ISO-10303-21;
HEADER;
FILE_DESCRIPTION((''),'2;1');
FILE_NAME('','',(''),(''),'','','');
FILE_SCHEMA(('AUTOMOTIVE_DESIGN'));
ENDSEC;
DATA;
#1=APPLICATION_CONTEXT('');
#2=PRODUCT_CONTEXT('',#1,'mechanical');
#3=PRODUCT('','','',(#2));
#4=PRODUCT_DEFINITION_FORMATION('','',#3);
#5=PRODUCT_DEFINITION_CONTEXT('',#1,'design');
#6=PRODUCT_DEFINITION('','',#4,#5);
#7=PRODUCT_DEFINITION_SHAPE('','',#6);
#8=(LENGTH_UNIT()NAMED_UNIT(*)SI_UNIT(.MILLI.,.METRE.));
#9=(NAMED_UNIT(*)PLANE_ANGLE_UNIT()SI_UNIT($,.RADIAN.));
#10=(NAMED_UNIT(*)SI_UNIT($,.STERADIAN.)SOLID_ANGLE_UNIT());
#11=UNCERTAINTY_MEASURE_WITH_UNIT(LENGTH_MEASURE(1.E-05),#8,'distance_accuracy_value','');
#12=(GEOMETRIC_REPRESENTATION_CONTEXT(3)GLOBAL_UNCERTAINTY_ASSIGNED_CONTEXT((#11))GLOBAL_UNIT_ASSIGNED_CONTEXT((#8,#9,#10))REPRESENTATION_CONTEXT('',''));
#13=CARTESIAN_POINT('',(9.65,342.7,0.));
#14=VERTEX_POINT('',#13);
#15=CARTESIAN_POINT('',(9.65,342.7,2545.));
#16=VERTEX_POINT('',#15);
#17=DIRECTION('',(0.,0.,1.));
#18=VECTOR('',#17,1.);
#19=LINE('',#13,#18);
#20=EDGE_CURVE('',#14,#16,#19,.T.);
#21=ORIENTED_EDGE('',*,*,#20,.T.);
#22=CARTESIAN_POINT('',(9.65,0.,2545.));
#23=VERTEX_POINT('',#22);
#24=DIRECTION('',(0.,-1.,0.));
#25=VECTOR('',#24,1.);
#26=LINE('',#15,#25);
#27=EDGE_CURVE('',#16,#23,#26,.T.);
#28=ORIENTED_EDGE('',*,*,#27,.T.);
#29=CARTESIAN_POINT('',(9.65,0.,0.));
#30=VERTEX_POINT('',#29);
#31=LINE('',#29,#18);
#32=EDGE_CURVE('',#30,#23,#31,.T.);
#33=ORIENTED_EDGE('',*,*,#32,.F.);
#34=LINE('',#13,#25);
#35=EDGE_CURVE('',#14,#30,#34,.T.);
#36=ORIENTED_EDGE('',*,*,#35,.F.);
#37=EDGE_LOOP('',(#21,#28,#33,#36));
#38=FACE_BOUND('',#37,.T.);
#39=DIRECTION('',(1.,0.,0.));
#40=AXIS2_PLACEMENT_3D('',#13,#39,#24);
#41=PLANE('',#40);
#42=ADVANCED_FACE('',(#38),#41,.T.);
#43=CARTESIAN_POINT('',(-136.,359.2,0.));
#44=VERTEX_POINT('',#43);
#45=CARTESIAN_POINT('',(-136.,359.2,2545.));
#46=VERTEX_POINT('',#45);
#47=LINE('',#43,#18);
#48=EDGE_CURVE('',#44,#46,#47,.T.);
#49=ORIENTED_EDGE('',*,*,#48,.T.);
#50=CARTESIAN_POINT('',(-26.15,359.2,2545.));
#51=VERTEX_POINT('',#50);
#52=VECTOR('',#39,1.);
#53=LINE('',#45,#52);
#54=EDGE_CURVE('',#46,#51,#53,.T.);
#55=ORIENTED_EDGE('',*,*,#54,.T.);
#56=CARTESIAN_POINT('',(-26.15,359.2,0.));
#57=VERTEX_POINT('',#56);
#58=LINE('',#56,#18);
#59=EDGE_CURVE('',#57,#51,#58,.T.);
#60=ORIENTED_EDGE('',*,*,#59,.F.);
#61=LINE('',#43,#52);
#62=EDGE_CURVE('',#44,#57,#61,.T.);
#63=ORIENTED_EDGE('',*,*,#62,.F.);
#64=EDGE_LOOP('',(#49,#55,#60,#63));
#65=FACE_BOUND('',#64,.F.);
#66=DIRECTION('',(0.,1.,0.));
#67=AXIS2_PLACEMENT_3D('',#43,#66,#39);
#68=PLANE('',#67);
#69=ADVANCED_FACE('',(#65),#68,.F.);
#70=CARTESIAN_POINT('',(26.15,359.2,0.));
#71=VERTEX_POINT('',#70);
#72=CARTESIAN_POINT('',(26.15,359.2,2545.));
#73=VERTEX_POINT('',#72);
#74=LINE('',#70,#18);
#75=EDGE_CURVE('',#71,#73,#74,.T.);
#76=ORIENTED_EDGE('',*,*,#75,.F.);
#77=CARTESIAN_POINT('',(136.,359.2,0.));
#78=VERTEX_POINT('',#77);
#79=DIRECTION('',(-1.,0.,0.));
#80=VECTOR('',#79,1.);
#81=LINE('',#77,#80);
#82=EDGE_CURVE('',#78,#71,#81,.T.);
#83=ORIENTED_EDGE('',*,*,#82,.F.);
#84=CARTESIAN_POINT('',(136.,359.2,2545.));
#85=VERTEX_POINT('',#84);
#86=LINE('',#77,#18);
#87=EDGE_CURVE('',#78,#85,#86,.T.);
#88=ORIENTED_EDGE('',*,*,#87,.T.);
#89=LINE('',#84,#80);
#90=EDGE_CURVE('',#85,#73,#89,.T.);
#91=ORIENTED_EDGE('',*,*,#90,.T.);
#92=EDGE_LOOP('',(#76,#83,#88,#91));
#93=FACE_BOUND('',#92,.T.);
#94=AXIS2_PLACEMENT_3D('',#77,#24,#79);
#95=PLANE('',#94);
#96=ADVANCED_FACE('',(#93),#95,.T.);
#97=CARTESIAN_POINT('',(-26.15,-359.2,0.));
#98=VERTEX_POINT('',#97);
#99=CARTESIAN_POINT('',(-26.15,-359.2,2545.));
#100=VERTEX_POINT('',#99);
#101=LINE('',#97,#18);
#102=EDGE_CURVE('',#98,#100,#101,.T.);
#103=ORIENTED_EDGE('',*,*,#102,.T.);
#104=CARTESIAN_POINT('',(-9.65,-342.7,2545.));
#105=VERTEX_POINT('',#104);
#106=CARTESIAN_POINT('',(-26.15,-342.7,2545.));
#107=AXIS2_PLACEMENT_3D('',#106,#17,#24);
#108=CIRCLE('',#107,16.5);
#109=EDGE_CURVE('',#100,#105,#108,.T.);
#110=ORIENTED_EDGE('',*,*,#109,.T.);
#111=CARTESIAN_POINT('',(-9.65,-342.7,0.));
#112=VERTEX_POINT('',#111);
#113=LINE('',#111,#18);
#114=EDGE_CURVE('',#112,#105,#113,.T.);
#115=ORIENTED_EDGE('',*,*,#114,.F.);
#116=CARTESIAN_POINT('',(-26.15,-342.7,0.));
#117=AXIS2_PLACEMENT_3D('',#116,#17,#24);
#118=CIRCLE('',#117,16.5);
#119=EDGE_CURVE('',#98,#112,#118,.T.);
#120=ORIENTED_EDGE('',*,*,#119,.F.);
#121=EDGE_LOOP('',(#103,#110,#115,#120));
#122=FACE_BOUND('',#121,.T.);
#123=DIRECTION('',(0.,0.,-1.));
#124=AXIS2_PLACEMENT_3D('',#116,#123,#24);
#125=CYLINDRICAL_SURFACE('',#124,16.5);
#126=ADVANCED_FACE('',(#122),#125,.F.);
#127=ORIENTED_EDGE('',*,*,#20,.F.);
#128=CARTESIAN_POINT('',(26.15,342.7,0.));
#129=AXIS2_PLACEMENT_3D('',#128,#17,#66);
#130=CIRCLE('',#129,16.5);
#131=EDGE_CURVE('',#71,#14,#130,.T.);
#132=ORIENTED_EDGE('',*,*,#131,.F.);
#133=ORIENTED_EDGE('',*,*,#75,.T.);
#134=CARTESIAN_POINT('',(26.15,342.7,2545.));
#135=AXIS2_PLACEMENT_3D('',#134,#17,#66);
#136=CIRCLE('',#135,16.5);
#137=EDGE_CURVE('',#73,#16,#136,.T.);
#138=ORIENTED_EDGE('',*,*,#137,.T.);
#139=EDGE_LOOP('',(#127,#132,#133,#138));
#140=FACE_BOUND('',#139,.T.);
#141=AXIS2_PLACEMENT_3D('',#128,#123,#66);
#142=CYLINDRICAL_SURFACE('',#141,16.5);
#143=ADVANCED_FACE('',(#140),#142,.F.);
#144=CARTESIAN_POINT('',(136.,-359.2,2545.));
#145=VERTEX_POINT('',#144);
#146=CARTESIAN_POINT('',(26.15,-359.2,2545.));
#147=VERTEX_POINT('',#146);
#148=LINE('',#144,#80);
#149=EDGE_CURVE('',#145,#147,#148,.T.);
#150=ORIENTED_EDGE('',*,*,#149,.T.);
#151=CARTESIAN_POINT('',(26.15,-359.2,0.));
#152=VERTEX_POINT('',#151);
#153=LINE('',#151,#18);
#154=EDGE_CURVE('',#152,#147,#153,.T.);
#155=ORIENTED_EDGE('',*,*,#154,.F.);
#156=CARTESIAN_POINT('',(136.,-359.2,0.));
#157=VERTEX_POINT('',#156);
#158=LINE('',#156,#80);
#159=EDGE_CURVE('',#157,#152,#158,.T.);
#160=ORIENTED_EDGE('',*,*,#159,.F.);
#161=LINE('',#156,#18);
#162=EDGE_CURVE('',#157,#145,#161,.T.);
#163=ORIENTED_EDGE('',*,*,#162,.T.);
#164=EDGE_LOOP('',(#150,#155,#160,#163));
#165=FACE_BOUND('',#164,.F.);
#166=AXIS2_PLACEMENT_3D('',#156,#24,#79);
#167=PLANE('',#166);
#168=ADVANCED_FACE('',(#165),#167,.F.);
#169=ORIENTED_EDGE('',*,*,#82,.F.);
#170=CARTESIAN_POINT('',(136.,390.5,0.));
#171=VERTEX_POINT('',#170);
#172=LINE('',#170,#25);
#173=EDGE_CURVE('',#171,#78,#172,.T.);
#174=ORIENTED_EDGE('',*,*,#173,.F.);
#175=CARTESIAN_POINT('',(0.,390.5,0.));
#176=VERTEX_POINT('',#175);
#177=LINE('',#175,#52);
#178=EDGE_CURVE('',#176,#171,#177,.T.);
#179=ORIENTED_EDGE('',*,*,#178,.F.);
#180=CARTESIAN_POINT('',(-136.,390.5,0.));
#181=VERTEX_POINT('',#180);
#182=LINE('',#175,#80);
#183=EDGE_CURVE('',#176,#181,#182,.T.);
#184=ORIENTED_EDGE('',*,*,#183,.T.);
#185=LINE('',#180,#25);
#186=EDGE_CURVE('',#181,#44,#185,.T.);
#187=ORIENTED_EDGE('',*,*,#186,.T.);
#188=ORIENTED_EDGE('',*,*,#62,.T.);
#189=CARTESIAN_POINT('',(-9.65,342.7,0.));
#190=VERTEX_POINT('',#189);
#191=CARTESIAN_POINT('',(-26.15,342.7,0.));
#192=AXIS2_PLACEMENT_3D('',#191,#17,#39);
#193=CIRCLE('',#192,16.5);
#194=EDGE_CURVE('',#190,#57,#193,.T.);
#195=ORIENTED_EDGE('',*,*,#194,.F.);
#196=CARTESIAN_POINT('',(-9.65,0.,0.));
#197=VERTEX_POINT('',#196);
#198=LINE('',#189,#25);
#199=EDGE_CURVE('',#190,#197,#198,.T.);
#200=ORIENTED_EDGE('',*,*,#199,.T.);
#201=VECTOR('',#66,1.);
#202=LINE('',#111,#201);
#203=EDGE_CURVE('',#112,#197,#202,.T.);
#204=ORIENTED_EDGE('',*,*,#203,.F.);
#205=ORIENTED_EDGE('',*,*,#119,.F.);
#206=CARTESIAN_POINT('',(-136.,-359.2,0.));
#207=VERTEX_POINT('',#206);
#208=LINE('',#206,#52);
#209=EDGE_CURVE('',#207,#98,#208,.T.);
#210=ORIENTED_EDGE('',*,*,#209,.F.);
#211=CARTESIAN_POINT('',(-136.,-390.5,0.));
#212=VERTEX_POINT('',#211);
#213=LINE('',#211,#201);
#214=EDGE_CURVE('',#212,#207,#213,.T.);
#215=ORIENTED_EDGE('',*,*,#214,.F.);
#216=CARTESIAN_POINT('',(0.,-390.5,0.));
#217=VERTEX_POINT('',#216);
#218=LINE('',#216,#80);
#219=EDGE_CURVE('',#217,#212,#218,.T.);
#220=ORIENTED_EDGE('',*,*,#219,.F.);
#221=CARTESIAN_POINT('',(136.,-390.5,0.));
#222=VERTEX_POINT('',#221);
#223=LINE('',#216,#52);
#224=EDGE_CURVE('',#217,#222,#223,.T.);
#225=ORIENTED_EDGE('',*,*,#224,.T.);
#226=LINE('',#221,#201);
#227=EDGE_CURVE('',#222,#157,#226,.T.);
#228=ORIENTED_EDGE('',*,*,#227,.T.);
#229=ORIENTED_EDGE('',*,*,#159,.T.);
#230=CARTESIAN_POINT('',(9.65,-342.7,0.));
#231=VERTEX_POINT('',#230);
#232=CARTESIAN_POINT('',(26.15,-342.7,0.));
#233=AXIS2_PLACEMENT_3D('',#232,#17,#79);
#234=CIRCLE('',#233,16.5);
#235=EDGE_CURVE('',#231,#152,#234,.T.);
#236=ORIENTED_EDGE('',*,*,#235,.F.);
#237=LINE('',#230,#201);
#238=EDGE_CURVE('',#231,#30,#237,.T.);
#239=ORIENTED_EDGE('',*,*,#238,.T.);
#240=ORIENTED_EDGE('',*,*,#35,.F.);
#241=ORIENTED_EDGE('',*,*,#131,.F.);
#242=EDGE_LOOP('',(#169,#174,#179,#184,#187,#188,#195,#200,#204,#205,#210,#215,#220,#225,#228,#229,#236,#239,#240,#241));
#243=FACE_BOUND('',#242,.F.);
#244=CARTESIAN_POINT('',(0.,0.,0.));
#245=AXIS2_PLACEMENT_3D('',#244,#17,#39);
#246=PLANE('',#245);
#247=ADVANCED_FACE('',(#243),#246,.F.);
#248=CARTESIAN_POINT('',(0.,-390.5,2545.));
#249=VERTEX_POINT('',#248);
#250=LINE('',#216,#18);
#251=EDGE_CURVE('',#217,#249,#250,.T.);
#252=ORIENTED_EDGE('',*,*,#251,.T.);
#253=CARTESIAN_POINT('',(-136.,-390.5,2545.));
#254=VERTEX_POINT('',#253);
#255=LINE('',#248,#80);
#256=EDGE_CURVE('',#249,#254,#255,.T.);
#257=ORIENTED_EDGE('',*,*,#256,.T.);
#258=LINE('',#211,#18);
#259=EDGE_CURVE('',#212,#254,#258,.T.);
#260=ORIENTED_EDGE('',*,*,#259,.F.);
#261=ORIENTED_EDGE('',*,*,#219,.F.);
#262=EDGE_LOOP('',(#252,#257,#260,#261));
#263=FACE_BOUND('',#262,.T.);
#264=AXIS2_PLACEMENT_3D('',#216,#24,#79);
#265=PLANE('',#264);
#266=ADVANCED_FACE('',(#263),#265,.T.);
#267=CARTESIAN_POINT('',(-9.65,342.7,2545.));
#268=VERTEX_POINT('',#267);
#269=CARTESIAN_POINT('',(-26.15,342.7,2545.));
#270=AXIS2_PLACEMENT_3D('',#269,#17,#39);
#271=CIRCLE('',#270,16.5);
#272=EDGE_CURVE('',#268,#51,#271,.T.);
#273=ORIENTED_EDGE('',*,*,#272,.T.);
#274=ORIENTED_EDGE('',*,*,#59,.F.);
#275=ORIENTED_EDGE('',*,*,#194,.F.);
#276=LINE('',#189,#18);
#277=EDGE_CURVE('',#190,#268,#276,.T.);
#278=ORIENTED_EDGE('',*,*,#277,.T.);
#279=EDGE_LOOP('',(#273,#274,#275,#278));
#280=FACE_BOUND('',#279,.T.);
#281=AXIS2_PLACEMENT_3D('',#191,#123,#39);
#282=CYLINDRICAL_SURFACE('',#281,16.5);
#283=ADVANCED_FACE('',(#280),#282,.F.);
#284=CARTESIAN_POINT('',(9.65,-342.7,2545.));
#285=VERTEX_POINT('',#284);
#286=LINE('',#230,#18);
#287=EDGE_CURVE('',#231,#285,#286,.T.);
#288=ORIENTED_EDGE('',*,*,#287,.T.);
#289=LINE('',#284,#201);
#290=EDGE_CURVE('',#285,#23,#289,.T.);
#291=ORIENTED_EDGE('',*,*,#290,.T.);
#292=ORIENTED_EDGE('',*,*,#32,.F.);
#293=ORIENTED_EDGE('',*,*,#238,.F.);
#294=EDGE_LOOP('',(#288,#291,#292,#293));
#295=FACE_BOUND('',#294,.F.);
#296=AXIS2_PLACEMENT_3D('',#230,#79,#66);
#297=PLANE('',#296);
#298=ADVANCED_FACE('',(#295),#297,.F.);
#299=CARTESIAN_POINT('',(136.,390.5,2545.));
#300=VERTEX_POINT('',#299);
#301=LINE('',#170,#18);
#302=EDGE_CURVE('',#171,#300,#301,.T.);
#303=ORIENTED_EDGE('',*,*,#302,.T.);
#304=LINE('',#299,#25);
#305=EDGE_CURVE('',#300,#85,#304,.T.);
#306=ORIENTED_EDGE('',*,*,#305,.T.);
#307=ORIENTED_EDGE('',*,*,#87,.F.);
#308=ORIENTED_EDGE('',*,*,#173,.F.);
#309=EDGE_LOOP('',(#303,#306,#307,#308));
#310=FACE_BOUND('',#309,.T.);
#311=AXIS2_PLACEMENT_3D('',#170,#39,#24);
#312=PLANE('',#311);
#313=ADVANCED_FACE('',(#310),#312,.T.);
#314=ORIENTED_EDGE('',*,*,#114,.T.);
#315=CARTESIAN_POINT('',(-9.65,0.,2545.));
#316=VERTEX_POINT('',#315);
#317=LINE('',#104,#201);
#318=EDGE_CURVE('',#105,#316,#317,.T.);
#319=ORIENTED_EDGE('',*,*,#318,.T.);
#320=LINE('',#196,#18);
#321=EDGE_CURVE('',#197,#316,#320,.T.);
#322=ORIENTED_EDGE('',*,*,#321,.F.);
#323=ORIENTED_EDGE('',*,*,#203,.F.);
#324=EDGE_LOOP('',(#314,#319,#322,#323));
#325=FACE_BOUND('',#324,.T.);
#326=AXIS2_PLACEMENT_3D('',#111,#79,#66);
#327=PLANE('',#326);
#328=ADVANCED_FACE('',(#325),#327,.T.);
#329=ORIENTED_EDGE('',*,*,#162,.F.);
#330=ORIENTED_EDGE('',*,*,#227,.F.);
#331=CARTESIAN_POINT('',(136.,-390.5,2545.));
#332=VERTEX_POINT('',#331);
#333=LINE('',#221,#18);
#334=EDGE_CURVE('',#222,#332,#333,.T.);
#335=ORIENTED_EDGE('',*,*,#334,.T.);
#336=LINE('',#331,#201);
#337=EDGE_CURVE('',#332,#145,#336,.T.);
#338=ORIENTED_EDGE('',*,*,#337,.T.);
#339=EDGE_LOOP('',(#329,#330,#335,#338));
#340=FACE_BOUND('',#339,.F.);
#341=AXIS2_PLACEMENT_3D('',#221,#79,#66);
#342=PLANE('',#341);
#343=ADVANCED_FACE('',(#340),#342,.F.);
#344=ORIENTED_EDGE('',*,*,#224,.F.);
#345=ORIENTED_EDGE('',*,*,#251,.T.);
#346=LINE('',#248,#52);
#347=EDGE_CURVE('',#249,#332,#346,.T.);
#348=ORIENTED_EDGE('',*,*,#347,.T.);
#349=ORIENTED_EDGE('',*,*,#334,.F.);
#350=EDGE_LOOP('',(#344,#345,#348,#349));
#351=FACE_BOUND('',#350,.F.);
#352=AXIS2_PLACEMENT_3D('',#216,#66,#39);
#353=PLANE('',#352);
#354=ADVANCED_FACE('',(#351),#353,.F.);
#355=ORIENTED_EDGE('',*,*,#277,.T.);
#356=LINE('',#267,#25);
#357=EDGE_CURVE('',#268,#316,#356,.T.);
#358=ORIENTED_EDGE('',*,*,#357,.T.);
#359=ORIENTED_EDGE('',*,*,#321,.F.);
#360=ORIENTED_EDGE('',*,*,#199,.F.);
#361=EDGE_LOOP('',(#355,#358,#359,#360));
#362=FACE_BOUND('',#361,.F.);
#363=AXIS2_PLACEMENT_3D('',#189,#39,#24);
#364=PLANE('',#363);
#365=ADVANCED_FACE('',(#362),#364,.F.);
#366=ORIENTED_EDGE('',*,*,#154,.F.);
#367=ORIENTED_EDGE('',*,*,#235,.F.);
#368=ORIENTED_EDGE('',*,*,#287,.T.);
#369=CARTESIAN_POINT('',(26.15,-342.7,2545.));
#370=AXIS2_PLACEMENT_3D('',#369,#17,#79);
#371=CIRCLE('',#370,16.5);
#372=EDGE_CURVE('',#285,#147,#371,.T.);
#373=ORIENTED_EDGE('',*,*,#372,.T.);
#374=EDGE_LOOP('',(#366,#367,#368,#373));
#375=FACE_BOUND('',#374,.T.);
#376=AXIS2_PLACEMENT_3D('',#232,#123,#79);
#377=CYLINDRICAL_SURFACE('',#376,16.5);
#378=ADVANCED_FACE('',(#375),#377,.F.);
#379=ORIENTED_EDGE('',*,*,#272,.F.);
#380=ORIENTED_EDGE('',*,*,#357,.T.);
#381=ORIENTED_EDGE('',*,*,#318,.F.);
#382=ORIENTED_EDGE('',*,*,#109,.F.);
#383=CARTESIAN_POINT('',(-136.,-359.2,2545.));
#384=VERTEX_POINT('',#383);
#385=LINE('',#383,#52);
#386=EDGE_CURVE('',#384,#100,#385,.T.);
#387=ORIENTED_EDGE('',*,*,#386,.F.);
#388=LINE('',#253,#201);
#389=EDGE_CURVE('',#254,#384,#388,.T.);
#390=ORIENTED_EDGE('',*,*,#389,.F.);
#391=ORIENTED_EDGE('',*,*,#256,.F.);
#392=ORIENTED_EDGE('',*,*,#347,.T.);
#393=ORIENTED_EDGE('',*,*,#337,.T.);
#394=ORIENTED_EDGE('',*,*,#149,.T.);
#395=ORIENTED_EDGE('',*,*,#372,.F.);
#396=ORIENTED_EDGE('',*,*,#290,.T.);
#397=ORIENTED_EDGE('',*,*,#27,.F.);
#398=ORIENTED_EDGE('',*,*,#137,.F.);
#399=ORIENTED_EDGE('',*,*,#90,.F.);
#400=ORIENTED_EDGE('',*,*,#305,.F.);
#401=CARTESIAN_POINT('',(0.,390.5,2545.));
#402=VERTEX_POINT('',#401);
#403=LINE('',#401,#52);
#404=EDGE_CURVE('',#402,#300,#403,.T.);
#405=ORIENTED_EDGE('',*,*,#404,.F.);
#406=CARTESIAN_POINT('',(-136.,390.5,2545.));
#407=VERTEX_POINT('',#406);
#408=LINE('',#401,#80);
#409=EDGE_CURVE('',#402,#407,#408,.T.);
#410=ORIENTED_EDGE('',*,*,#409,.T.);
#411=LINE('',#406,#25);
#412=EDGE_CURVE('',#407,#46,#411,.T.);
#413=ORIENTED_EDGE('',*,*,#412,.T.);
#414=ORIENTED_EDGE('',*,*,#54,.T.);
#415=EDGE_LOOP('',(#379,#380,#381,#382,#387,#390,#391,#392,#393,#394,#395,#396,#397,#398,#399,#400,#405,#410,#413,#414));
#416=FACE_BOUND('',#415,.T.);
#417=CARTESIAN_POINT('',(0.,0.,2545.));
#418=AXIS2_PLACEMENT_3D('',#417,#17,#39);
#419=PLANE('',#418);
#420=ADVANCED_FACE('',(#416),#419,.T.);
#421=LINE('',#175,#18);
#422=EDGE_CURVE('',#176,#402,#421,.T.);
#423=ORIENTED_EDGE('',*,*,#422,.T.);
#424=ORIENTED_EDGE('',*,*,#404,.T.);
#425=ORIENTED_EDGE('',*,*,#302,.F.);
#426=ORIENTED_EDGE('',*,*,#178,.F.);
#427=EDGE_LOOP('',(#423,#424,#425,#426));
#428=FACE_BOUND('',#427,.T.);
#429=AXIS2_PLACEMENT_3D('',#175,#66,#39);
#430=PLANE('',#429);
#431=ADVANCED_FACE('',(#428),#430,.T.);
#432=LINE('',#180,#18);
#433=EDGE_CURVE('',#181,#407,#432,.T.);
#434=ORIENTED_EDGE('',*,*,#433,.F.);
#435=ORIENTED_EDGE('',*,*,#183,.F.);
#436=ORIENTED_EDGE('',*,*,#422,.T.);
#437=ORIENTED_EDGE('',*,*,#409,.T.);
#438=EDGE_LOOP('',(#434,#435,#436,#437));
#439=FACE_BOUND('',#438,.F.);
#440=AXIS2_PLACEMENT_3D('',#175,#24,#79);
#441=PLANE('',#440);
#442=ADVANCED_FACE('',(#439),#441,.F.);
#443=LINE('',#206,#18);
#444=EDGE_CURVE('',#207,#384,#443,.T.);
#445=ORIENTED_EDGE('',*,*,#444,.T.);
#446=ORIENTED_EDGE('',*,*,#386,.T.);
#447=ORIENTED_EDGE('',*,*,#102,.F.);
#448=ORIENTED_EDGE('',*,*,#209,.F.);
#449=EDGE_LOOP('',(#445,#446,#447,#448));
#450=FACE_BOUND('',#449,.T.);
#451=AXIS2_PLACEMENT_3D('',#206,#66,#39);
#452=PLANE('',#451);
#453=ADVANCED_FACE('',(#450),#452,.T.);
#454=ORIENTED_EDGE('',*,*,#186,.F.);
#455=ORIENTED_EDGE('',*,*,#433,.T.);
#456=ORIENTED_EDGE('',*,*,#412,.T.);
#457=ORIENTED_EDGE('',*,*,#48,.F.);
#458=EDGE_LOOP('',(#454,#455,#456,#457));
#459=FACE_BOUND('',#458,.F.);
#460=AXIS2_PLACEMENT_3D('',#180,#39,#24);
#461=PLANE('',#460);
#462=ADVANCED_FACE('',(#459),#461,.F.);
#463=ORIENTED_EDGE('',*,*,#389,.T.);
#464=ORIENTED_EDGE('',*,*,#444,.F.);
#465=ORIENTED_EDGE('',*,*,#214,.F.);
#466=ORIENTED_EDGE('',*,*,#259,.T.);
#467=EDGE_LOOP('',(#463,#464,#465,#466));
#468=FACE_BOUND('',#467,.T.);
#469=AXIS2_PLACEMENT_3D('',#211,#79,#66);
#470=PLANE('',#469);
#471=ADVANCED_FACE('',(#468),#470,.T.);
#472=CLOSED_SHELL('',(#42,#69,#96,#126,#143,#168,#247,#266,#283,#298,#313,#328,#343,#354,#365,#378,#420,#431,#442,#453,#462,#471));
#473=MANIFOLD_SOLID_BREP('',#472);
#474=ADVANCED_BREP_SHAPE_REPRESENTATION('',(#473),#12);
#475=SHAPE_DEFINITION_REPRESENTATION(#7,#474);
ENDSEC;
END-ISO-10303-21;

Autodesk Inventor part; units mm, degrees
ref_plane "YZ Plane" through (0, 0, 0) normal (1, 0, 0) x (0, 1, 0)
ref_plane "Start plane" through (0, 0, 0) normal (0, 0, 1) x (1, 0, 0)
ref_plane "End plane" through (0, 0, 2545) normal (0, 0, 1) x (1, 0, 0)
sketch "Sketch" plane through (0, 0, 0) normal (0, 0, 1) x (1, 0, 0)
  line L0 (-136, -390.5) -> (-136, -359.2)
  line L1 (-136, -359.2) -> (-26.15, -359.2)
  line L2 (-9.65, -342.7) -> (-9.65, 0)
  line L3 (-9.65, 0) -> (0, 0) construction
  line L4 (0, 0) -> (0, -390.5) construction
  line L5 (0, -390.5) -> (-136, -390.5)
  line L6 (-60, 0) -> (80, 0) construction
  line L7 (0, -60) -> (0, 80) construction
  line L8 (136, -390.5) -> (136, -359.2)
  line L9 (136, -359.2) -> (26.15, -359.2)
  line L10 (9.65, -342.7) -> (9.65, 0)
  line L11 (9.65, 0) -> (0, 0) construction
  line L12 (0, -390.5) -> (136, -390.5)
  line L13 (-136, 390.5) -> (-136, 359.2)
  line L14 (-136, 359.2) -> (-26.15, 359.2)
  line L15 (-9.65, 342.7) -> (-9.65, 0)
  line L16 (0, 390.5) -> (-136, 390.5)
  line L17 (136, 390.5) -> (136, 359.2)
  line L18 (136, 359.2) -> (26.15, 359.2)
  line L19 (0, 390.5) -> (136, 390.5)
  line L20 (9.65, 342.7) -> (9.65, 0)
  arc A0 (-9.65, 342.7) -> (-26.15, 359.2) centre (-26.15, 342.7) ccw
  arc A1 (26.15, 359.2) -> (9.65, 342.7) centre (26.15, 342.7) ccw
  arc A2 (9.65, -342.7) -> (26.15, -359.2) centre (26.15, -342.7) ccw
  arc A3 (-26.15, -359.2) -> (-9.65, -342.7) centre (-26.15, -342.7) ccw
  line L21 (0, 108) -> (0, -88) construction
  line L22 (-88, 0) -> (108, 0) construction
  point P0 (-9.65, -359.2)
  point P1 (9.65, -359.2)
  point P2 (-9.65, 359.2)
  point P3 (9.65, 359.2)
  dimension "d1" = 390.5
  dimension "d2" = 31.3
  dimension "d3" = 136
  dimension "d4" = 9.65
  dimension "d10" = 16.5
extrude "Body" add sketch "Sketch" along normal up to surface (2545 mm away) from surface at 0
sketch "Sketch4" plane through (0, 0, 0) normal (0, 0, 1) x (1, 0, 0)
  line L0 (0, 0) -> (10, 0)
ref_plane "Work Plane3" through (0, 0, 0) normal (0, -1, 0) x (1, 0, 0)
sketch "Sketch5" plane through (0, 0, 0) normal (0, -1, 0) x (1, 0, 0)
  line L0 (-2, 0) -> (12, 0) projected
  line L1 (-2, 2545) -> (12, 2545) projected
  dimension "d14" = 2545
equation "\"d1\" = 0.5 * G_H"
equation "\"d2\" = G_T1"
equation "\"d3\" = 0.5 * G_W"
equation "\"d4\" = 0.5 * G_T"
equation "\"d10\" = G_IR"
equation "\"d5\" = G_L"
equation "\"G_W\" = 272"
equation "\"G_H\" = 781"
equation "\"G_T\" = 19.3"
equation "\"G_T1\" = 31.3"
equation "\"G_IR\" = 16.5"
equation "\"G_L\" = d14"
equation "\"G_OFFSET_START\" = 0"
equation "\"G_OFFSET_END\" = 0"
equation "\"d12\" = G_OFFSET_END + B_L"
equation "\"B_L\" = 2545"
properties part number "AS 3679-1990 - 760 UB - 244 - 2545" material "Steel, Mild"
